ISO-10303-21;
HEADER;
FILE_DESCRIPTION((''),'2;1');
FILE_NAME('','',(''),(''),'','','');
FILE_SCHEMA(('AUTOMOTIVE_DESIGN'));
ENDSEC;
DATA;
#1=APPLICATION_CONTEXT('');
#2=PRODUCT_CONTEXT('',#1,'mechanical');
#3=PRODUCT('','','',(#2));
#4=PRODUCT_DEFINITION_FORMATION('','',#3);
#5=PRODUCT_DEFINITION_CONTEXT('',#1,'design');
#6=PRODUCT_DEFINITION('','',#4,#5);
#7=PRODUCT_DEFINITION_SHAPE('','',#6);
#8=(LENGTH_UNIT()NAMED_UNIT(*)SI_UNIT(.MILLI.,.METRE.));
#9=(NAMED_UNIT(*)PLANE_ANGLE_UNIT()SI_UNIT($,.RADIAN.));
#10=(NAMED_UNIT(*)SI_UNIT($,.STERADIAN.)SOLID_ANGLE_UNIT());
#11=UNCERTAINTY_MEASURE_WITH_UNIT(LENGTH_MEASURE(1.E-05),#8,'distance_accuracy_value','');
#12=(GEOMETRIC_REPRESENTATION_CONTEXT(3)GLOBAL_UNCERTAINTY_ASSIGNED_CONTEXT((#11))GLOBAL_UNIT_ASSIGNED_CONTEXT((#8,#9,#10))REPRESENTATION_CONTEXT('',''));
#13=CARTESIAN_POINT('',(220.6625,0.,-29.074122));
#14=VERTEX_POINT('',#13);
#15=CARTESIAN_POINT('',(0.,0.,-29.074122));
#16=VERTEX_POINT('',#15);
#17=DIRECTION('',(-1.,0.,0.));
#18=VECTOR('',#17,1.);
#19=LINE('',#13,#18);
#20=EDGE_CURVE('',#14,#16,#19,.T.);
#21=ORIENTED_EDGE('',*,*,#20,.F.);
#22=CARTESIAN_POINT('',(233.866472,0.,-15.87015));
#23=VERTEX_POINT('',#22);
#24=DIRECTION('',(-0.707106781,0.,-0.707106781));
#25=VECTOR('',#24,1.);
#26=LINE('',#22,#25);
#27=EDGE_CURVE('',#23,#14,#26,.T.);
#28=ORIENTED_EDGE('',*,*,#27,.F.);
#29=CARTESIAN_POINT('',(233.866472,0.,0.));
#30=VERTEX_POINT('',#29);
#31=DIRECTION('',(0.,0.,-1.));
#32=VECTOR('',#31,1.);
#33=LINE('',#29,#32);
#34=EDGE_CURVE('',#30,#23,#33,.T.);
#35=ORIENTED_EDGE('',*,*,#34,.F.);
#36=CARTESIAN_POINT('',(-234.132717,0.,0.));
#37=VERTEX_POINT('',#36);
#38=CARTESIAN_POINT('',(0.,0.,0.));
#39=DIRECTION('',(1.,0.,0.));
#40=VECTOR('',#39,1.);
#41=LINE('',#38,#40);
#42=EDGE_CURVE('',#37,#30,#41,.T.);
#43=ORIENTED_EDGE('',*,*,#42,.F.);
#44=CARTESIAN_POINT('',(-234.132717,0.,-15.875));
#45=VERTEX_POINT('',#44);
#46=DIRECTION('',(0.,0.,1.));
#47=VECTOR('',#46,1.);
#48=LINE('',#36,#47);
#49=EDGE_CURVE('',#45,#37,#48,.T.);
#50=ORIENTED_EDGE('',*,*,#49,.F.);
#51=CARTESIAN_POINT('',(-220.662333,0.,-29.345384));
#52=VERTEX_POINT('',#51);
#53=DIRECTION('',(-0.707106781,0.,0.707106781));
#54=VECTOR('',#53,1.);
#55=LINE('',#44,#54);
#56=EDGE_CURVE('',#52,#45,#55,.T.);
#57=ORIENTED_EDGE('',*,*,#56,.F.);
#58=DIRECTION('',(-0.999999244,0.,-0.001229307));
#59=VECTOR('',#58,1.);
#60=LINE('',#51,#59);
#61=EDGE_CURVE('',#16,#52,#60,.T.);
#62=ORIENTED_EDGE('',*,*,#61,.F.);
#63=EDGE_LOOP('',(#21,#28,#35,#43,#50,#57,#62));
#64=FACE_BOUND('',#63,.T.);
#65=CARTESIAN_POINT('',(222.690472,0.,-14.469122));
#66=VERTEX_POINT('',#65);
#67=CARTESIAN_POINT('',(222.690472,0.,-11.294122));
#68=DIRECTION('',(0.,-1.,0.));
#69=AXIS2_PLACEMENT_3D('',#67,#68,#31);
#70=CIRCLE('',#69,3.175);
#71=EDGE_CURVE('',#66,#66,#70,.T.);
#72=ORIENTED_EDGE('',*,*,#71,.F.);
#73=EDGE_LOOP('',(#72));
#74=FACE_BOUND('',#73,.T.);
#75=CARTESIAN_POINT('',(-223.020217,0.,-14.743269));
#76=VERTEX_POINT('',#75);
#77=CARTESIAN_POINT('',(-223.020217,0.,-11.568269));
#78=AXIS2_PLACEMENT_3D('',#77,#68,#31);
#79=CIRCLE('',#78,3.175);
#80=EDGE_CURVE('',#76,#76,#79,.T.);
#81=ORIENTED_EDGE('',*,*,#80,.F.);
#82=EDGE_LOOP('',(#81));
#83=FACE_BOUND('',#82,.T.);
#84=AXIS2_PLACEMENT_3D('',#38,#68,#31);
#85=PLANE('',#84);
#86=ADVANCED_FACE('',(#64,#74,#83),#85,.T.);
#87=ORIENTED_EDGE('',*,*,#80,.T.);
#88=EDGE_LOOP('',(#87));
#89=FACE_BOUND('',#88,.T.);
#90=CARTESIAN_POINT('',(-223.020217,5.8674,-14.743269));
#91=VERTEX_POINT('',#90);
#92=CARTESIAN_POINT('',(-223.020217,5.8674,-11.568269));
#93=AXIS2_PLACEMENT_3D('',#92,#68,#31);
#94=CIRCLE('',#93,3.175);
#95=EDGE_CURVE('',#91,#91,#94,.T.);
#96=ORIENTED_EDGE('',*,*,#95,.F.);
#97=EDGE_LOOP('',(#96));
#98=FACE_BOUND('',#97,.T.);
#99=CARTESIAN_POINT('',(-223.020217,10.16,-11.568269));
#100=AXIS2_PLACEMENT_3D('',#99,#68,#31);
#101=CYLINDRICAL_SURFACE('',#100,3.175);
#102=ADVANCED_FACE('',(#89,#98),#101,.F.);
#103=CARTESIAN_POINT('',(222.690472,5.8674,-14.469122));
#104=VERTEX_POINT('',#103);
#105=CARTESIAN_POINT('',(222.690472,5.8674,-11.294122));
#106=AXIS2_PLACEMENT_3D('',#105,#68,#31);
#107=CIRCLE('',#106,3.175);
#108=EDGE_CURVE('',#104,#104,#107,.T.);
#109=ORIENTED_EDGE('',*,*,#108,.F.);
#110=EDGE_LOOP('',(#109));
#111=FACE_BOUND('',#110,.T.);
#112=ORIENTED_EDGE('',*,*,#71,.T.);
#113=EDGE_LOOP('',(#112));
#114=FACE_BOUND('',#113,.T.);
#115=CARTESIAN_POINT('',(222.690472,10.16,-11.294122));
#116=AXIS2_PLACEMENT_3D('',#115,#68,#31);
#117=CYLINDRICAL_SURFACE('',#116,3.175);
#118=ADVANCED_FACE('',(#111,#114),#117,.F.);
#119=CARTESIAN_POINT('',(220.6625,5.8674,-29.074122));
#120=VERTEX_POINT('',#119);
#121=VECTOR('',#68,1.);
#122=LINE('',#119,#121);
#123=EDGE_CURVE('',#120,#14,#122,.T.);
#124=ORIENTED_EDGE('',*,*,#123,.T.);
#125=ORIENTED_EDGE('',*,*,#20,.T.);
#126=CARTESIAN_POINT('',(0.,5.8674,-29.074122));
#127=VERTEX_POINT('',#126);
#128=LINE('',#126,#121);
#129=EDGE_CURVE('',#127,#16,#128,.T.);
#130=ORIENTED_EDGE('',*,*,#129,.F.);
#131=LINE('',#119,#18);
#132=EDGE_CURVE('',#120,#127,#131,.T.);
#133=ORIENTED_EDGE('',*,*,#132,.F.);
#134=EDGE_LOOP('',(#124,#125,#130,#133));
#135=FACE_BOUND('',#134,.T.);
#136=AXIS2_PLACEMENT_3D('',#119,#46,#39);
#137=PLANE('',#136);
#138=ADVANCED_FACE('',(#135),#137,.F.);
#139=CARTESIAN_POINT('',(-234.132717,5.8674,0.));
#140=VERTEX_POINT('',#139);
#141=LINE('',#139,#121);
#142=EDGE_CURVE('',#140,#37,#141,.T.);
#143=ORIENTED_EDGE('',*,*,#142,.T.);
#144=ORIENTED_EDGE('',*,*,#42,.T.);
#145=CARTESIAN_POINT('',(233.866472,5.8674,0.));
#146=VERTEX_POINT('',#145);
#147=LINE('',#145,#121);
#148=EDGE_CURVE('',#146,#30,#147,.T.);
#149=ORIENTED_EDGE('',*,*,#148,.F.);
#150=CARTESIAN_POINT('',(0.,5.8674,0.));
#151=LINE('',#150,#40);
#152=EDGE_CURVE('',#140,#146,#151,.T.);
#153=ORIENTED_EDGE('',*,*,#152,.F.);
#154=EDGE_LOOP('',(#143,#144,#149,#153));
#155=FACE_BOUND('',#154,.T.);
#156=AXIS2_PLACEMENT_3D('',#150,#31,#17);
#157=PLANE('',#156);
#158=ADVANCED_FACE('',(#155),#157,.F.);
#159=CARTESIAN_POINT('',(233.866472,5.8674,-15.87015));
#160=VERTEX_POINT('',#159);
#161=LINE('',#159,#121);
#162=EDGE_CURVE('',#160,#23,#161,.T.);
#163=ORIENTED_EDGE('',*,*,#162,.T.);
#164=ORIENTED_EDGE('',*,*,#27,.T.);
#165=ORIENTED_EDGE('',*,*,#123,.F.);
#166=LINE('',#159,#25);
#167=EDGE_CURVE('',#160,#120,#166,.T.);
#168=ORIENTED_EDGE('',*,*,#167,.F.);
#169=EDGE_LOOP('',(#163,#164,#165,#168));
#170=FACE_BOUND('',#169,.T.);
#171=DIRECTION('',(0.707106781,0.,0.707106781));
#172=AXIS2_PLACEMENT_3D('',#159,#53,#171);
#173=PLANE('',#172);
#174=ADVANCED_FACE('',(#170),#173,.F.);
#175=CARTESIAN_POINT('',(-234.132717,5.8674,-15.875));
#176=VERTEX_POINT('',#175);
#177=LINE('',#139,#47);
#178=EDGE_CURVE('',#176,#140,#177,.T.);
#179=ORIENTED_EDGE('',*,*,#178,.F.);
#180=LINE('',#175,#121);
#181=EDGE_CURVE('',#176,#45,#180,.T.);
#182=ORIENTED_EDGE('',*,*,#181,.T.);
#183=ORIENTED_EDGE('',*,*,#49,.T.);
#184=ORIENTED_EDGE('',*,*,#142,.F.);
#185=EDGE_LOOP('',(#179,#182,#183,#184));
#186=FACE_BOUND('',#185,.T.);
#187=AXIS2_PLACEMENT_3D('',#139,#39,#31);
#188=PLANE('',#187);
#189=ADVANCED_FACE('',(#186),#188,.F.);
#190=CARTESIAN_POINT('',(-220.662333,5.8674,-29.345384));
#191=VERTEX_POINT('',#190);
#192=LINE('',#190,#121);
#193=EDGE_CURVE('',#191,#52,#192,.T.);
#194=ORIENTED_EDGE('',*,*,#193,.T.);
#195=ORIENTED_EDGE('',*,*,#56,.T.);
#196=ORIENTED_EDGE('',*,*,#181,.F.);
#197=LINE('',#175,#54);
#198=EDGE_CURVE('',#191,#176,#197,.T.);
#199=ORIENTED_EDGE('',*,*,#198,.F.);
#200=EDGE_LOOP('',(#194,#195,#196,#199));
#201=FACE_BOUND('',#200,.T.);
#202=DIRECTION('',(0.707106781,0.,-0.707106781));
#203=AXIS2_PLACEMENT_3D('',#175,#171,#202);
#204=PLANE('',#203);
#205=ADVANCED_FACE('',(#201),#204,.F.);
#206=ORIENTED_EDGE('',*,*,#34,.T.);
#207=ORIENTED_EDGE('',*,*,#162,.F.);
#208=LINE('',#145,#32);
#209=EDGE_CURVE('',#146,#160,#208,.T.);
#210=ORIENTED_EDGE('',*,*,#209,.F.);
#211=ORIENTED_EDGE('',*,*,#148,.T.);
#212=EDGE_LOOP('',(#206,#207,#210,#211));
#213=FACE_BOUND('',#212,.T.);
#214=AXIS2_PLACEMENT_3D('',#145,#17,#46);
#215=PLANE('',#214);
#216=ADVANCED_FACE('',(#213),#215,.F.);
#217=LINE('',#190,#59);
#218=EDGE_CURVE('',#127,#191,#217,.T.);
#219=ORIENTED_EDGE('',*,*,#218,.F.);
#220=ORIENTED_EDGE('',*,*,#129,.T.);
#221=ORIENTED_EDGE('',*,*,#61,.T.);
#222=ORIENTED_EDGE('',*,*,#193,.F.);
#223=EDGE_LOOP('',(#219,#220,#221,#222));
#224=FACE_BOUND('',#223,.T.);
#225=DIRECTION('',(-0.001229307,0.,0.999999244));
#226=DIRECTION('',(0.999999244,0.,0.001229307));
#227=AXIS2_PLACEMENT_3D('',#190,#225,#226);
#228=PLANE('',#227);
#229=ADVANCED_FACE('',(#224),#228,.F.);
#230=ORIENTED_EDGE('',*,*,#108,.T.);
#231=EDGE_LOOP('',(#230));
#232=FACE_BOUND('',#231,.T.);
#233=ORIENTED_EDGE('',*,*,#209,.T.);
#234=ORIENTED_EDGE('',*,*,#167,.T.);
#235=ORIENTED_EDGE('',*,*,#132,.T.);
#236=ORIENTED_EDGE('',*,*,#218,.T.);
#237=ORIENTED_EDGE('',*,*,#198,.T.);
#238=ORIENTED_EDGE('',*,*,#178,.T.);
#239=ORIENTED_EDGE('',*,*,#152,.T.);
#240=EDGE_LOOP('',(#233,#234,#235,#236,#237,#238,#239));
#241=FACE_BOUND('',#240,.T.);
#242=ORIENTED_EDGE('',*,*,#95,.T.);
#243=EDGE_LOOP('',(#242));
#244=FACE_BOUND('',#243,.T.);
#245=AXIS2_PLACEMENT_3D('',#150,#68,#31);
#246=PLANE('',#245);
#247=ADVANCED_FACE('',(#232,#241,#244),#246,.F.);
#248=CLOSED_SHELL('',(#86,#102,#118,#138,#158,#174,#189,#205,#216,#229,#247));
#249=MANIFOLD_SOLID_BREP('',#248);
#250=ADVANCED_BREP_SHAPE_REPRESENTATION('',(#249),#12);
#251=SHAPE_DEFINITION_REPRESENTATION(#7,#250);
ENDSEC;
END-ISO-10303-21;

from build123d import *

# Parameters (mm, degrees)
BOSS_EXTRUDE1_DEPTH = 5.8674
SKETCH2_R           = 3.175
CUT_EXTRUDE2_DEPTH  = 10.16
SKETCH4_R           = 3.175
CUT_EXTRUDE3_DEPTH  = 10.16


with BuildPart() as part:
    # Sketch1 → Boss-Extrude1 (new body)
    with BuildSketch(Plane(origin=(0, 0, 0), x_dir=(1, 0, 0), z_dir=(0, 1, 0))):
        Polygon((0, 0), (233.866472168, 0), (233.866472168, 15.870150114), (220.6625, 29.074122282), (0, 29.074122282), (-220.662333268, 29.345384182), (-234.132717449, 15.875), (-234.132717449, 0), align=None)
    extrude(amount=BOSS_EXTRUDE1_DEPTH)

    # Sketch2 → Cut-Extrude2 (cut)
    with BuildSketch(Plane.XZ):
        with Locations(Location((-223.020217449, -11.568269312, 0), (0, 0, 270))):
            Circle(SKETCH2_R)
    extrude(amount=-CUT_EXTRUDE2_DEPTH, mode=Mode.SUBTRACT)

    # Sketch4 → Cut-Extrude3 (cut)
    with BuildSketch(Plane.XZ):
        with Locations(Location((222.690472168, -11.294122282, 0), (0, 0, 270))):
            Circle(SKETCH4_R)
    extrude(amount=-CUT_EXTRUDE3_DEPTH, mode=Mode.SUBTRACT)


solid = part.part
